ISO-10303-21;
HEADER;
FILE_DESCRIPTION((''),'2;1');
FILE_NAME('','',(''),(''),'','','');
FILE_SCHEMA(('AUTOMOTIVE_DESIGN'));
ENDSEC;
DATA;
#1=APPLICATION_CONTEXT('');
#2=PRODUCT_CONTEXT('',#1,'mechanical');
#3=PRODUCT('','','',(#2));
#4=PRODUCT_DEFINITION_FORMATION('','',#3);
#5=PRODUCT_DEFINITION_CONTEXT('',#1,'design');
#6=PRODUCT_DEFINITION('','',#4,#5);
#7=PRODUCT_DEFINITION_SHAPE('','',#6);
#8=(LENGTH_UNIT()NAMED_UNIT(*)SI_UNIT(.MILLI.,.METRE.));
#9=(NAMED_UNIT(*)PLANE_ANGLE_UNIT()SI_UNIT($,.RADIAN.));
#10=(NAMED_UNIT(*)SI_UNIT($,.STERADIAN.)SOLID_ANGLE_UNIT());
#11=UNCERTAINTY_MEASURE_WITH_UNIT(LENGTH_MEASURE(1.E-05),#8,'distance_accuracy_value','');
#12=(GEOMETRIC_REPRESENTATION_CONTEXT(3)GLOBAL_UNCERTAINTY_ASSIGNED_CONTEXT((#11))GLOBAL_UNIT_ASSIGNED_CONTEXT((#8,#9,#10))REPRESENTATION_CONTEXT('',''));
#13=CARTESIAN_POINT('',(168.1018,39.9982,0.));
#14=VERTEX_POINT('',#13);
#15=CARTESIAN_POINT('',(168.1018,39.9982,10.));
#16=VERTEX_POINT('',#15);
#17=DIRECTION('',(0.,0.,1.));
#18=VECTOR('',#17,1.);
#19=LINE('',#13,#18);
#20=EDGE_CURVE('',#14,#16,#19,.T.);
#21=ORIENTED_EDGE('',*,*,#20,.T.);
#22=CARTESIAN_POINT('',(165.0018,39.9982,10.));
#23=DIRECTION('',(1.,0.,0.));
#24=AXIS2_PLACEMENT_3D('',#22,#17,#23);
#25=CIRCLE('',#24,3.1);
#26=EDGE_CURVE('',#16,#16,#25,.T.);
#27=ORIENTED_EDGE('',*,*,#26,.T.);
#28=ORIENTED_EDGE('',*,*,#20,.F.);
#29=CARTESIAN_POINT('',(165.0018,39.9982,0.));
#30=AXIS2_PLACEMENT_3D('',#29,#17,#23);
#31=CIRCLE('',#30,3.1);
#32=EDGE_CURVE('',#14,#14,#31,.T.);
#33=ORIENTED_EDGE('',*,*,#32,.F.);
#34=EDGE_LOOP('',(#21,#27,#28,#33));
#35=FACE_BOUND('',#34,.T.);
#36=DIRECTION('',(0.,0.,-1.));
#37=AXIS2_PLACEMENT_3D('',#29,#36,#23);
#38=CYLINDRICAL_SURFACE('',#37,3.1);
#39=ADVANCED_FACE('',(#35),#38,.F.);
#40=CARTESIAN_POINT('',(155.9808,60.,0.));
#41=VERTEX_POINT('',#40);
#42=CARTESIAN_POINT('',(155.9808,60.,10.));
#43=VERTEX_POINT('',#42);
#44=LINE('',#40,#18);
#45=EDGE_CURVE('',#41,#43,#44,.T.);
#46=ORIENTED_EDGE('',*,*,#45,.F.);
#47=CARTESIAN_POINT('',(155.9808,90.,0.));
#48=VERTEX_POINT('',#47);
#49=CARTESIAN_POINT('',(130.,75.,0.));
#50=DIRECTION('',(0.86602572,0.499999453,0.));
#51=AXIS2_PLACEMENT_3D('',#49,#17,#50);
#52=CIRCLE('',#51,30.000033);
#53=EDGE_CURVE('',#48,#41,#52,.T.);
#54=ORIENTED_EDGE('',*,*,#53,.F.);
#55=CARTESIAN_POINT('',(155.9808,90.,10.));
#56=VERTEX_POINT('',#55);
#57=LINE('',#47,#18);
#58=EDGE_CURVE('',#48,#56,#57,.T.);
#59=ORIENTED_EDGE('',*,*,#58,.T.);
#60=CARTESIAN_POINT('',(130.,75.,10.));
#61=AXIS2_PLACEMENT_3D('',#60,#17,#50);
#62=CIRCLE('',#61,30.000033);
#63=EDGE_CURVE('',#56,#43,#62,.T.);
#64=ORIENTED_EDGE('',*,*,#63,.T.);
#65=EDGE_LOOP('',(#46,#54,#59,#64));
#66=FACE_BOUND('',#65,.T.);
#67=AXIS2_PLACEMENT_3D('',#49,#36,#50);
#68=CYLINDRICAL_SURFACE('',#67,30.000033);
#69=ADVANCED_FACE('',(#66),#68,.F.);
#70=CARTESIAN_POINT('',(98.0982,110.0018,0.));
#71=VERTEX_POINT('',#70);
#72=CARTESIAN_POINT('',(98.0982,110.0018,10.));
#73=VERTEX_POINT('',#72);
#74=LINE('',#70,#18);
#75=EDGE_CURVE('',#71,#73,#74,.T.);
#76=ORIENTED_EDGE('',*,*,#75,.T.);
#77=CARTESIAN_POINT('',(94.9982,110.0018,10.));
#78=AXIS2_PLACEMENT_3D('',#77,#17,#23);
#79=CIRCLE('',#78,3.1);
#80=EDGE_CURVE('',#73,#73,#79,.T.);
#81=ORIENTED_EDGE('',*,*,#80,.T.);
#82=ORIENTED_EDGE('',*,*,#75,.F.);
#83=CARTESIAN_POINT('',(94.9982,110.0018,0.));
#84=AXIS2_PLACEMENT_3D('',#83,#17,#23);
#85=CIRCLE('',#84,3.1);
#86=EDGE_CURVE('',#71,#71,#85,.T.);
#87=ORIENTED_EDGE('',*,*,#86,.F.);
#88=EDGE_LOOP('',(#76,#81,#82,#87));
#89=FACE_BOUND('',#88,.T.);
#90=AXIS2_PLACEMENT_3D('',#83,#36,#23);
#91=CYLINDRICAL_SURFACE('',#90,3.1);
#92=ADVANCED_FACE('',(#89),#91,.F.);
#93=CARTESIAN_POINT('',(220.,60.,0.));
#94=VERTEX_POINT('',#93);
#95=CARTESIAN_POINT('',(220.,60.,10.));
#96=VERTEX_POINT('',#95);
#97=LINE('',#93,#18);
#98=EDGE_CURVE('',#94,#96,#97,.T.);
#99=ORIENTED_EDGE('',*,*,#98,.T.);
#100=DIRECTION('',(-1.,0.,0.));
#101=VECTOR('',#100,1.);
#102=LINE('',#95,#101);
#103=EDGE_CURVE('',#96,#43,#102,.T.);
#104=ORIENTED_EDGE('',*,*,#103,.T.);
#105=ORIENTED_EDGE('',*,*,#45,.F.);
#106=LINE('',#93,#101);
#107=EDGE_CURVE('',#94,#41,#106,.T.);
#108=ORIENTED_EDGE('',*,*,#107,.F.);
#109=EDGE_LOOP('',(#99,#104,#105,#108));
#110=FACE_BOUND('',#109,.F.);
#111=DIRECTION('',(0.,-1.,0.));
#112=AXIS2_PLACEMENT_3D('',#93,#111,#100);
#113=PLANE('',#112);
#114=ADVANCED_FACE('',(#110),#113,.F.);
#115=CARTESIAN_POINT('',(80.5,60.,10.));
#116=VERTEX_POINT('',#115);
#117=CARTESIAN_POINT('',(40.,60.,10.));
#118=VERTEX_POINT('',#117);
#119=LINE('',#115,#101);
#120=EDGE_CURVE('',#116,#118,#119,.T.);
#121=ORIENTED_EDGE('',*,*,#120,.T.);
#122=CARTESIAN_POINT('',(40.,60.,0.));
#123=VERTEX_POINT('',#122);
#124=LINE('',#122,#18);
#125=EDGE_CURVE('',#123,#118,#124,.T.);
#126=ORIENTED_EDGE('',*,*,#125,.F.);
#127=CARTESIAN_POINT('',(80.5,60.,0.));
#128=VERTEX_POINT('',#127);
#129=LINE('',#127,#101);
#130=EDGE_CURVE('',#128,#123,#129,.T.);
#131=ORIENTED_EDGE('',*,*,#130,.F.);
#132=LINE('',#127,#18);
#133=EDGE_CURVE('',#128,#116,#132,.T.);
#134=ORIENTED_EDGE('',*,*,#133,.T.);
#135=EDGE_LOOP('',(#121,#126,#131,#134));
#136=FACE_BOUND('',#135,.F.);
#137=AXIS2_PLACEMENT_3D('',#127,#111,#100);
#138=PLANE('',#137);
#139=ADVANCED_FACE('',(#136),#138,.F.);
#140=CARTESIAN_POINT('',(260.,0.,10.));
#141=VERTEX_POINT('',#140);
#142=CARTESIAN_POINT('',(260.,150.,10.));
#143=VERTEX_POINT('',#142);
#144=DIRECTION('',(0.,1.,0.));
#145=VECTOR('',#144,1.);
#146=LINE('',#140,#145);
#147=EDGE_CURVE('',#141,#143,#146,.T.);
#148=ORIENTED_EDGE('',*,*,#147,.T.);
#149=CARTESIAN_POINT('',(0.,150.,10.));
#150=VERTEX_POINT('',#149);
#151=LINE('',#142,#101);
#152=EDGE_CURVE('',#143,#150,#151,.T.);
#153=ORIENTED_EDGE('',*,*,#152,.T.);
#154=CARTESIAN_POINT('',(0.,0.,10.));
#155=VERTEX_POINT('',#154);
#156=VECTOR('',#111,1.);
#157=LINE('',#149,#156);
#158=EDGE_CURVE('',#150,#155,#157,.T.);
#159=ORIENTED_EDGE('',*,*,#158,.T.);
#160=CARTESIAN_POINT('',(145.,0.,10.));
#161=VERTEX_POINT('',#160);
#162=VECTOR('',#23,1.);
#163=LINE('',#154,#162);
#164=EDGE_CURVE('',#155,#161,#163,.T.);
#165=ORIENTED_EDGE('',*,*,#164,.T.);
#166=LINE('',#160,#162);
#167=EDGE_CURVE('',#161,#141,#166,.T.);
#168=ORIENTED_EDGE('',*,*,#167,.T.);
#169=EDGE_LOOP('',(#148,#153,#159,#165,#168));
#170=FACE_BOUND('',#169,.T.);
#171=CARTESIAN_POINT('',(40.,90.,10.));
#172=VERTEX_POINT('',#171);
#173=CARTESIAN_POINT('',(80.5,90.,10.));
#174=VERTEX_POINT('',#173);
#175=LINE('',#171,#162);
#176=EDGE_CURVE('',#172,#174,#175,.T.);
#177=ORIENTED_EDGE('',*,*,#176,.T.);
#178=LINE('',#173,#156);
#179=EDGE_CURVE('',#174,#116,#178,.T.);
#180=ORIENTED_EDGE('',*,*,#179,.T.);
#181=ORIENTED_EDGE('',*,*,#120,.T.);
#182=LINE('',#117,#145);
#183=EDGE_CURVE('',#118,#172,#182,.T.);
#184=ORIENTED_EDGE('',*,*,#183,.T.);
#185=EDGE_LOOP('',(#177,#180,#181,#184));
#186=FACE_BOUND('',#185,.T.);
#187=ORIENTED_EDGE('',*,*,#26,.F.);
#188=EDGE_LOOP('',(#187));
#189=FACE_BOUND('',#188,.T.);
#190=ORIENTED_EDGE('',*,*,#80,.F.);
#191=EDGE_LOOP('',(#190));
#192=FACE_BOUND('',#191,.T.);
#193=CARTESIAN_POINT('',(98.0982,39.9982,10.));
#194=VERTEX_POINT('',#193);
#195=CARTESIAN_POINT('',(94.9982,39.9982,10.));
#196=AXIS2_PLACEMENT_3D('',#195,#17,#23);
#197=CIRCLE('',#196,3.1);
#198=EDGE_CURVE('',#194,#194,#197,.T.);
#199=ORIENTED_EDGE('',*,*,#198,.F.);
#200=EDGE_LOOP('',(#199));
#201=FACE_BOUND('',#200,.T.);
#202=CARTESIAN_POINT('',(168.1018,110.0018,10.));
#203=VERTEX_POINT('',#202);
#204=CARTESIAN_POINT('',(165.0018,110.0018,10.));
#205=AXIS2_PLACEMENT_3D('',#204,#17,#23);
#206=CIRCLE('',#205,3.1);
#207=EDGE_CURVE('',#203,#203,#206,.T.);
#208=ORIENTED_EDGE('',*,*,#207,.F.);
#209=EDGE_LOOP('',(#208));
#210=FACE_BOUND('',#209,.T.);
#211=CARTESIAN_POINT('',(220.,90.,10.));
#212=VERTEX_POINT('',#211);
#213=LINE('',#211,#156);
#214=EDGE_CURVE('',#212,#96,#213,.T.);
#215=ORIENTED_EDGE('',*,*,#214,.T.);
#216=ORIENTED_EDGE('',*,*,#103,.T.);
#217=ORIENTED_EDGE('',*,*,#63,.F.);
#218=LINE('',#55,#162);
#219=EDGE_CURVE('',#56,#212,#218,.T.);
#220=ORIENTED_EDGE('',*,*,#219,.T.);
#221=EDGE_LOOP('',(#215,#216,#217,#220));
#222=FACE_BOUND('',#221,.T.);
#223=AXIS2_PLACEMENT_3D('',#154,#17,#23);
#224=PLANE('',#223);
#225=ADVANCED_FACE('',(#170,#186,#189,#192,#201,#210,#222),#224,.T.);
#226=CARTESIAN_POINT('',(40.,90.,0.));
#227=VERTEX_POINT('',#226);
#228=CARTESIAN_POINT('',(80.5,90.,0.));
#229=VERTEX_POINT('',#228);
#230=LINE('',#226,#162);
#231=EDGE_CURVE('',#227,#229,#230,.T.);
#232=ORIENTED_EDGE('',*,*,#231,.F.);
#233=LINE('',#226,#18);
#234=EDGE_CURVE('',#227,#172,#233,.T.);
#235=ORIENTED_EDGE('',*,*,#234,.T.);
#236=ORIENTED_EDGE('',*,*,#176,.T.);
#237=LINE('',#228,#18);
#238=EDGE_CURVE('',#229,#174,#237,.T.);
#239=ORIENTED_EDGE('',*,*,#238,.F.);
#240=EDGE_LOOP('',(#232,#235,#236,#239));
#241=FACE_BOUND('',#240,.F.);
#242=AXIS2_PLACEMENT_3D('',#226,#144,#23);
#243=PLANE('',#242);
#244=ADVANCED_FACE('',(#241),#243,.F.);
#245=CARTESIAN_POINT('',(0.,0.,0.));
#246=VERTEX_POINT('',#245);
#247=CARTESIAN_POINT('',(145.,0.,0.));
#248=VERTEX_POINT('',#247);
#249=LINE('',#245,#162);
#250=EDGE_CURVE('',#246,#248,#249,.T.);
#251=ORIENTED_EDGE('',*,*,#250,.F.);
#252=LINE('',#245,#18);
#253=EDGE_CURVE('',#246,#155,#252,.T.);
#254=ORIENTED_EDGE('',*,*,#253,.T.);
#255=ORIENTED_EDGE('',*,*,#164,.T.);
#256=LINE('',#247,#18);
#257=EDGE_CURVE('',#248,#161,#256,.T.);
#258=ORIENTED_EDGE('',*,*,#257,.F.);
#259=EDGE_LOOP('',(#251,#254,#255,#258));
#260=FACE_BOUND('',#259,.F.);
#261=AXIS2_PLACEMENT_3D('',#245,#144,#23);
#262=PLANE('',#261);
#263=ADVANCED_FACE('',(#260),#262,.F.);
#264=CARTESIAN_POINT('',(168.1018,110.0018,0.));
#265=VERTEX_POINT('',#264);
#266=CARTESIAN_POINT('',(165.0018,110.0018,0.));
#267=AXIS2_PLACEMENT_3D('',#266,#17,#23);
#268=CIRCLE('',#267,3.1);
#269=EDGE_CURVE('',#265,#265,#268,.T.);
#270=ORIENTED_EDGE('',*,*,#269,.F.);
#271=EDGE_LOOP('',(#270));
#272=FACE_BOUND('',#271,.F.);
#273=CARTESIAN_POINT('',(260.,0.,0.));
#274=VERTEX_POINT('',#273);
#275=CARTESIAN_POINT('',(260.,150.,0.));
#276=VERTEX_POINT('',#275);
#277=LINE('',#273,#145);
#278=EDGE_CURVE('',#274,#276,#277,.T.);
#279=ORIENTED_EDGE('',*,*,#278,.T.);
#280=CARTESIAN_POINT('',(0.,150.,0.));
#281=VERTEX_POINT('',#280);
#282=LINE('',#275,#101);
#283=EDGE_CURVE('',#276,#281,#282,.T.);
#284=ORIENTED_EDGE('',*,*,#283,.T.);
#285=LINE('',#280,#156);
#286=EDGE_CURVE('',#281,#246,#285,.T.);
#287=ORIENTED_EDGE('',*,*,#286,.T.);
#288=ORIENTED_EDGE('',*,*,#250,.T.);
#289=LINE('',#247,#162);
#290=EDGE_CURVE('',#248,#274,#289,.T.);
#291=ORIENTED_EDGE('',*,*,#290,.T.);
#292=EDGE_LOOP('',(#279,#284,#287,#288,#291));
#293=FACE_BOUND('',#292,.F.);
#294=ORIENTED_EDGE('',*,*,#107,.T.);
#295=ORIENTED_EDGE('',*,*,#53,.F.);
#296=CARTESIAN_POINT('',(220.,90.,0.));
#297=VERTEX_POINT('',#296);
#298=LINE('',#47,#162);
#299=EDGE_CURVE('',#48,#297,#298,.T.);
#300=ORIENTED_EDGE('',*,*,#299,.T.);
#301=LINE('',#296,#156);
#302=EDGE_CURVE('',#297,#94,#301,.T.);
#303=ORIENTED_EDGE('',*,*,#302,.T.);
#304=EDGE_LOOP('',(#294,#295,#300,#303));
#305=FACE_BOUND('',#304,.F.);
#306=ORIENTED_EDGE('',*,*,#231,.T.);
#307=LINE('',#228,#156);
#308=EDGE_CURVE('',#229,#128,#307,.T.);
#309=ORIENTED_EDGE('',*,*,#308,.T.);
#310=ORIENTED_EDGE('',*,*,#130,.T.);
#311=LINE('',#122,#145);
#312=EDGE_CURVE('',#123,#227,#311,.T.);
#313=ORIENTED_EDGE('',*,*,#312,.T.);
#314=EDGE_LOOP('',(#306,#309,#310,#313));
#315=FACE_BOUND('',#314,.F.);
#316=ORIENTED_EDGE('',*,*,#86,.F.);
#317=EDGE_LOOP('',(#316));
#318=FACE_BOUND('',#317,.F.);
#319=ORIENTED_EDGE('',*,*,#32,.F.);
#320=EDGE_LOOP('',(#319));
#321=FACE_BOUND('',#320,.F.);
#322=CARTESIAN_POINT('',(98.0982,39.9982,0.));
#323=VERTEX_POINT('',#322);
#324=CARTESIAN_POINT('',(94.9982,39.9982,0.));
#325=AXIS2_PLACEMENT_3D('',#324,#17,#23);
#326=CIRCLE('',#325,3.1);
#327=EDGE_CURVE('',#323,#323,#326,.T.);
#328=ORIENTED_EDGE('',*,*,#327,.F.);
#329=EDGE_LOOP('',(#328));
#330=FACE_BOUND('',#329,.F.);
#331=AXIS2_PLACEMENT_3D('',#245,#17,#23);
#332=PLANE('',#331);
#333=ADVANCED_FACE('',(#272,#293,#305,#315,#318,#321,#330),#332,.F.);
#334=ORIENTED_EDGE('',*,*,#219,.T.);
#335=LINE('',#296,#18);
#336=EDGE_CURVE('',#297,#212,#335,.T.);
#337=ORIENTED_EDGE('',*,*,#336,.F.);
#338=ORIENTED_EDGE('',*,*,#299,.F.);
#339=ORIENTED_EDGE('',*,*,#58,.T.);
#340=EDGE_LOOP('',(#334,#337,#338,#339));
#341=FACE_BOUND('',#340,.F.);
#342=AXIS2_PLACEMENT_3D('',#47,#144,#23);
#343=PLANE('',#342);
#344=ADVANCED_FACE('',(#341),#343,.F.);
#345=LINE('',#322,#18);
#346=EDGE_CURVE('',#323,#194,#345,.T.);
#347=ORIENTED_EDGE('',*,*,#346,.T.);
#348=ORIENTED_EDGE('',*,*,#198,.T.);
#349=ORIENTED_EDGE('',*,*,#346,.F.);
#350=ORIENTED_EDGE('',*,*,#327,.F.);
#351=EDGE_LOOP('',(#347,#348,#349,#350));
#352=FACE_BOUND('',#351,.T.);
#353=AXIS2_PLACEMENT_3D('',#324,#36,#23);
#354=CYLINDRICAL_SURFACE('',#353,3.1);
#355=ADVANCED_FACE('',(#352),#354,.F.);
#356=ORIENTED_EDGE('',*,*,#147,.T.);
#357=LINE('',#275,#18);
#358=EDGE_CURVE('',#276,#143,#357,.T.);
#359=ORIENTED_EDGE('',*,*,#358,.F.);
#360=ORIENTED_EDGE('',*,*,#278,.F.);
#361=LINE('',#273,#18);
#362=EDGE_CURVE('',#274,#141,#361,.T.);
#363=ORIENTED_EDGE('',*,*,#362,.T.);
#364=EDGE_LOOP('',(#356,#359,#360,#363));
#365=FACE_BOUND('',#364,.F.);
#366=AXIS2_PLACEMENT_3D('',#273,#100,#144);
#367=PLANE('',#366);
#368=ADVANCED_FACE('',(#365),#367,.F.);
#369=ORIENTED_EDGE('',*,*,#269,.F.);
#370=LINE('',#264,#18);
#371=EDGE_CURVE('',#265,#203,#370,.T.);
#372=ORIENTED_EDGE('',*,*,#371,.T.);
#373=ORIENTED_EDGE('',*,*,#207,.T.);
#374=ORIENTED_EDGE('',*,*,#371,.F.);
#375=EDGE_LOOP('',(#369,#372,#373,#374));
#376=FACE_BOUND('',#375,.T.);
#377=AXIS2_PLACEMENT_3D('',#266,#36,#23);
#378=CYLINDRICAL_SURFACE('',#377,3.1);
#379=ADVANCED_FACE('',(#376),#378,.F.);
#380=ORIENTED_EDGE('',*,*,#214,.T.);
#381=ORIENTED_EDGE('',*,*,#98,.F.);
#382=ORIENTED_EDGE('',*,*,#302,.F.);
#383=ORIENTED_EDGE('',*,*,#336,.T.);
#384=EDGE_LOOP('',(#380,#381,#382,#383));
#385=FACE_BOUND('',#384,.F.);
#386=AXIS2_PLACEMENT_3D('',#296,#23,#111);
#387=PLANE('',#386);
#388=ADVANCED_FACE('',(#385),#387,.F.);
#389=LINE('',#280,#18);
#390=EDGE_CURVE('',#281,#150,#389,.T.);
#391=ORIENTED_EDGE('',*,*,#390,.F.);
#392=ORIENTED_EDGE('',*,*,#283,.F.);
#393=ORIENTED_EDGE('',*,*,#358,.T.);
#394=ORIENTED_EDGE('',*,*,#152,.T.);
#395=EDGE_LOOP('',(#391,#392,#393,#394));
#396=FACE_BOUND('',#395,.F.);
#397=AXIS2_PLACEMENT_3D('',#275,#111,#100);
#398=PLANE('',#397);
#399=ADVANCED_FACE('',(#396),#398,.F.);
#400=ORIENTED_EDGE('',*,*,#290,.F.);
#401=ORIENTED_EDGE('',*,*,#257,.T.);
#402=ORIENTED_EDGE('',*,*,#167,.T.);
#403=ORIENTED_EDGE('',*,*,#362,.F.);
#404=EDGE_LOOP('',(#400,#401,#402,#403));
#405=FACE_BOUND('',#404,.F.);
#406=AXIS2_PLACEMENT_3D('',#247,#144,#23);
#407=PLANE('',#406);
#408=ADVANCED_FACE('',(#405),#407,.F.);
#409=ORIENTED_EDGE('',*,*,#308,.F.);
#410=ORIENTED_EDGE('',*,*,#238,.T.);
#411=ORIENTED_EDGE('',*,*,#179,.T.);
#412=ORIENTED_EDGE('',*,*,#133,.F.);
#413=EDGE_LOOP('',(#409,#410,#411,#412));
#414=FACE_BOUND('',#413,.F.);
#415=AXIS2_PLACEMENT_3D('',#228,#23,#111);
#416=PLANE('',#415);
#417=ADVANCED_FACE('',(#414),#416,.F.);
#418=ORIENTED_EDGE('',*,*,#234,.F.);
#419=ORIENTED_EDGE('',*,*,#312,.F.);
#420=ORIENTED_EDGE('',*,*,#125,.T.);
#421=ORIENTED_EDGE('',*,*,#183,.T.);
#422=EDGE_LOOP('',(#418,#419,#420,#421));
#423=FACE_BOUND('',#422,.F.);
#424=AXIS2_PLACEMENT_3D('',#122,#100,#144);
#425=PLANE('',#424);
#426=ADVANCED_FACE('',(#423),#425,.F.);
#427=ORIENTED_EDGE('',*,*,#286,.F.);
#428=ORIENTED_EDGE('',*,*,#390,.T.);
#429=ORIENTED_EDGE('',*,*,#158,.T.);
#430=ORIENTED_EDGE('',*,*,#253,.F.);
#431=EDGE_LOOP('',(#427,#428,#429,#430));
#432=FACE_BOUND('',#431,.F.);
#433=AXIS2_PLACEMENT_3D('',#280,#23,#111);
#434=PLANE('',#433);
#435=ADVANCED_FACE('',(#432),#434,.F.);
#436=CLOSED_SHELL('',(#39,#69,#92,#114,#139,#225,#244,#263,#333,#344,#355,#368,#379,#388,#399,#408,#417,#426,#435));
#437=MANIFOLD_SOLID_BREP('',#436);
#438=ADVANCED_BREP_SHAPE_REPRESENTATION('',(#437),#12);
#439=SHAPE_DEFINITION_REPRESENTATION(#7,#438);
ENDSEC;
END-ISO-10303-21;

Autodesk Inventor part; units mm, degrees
ref_plane "YZ Plane" through (0, 0, 0) normal (1, 0, 0) x (0, 1, 0)
ref_plane "XZ Plane" through (0, 0, 0) normal (0, 1, 0) x (-1, 0, 0)
ref_plane "XY Plane" through (0, 0, 0) normal (0, 0, 1) x (1, 0, 0)
sketch "Skizze2" plane through (0, 0, 0) normal (0, 0, 1) x (1, 0, 0)
  line L0 (145, 0) -> (260, 0)
  line L1 (260, 0) -> (260, 150)
  line L2 (260, 150) -> (0, 150)
  line L3 (0, 150) -> (0, 0)
  line L4 (0, 0) -> (145, 0)
  circle A0 centre (165.0018, 110.0018) radius 3.1
  circle A1 centre (165.0018, 39.9982) radius 3.1
  circle A2 centre (94.9982, 39.9982) radius 3.1
  circle A3 centre (94.9982, 110.0018) radius 3.1
  arc A4 (155.9808, 90) -> (155.9808, 60) centre (130, 75) ccw
  line L5 (155.9808, 90) -> (220, 90)
  line L6 (220, 90) -> (220, 60)
  line L7 (220, 60) -> (155.9808, 60)
  line L8 (40, 90) -> (80.5, 90)
  line L9 (80.5, 90) -> (80.5, 60)
  line L10 (80.5, 60) -> (40, 60)
  line L11 (40, 60) -> (40, 90)
  dimension "d13" = 6.2
  dimension "d14" = 30
  dimension "d15" = 90
  dimension "d16" = 90
  dimension "d17" = 90
  dimension "d18" = 40
  dimension "d19" = 179.5
  dimension "d20" = 220
  dimension "d21" = 260
  dimension "d22" = 150
  dimension "d23" = 60
  dimension "d24" = 90
  dimension "d25" = 260
  dimension "d26" = 0
  dimension "d27" = 90
  dimension "d28" = 60
  dimension "d29" = 150
  dimension "d30" = 150
  dimension "d31" = 0
  dimension "d32" = 0
  dimension "d33" = 150
  dimension "d34" = 0
  dimension "d35" = 0
  dimension "d36" = 0
  dimension "d37" = 0
  dimension "d38" = 90
  dimension "d39" = 40
  dimension "d40" = 40
  dimension "d41" = 90
  dimension "d42" = 60
  dimension "d43" = 40
  dimension "d44" = 40
  dimension "d45" = 60
  dimension "d46" = 94.9982
  dimension "d47" = 110.0018
  dimension "d48" = 94.9982
  dimension "d49" = 39.9982
  dimension "d50" = 104.0192
  dimension "d51" = 104.0192
  dimension "d52" = 115
  dimension "d53" = 115
  dimension "d54" = 115
  dimension "d55" = 0
  dimension "d56" = 165.0018
  dimension "d57" = 110.0018
  dimension "d58" = 165.0018
  dimension "d59" = 39.9982
  dimension "d60" = 90
  dimension "d61" = 179.5
  dimension "d62" = 179.5
  dimension "d63" = 90
  dimension "d64" = 60
  dimension "d65" = 179.5
  dimension "d66" = 179.5
  dimension "d67" = 30
  dimension "d68" = 90
  dimension "d69" = 220
  dimension "d70" = 220
  dimension "d71" = 90
  dimension "d72" = 60
  dimension "d73" = 220
  dimension "d74" = 220
  dimension "d75" = 60
  dimension "d76" = 150
extrude "Extrusion1" add sketch "Skizze2" along normal blind 10
properties part number "MotorHalterung"
